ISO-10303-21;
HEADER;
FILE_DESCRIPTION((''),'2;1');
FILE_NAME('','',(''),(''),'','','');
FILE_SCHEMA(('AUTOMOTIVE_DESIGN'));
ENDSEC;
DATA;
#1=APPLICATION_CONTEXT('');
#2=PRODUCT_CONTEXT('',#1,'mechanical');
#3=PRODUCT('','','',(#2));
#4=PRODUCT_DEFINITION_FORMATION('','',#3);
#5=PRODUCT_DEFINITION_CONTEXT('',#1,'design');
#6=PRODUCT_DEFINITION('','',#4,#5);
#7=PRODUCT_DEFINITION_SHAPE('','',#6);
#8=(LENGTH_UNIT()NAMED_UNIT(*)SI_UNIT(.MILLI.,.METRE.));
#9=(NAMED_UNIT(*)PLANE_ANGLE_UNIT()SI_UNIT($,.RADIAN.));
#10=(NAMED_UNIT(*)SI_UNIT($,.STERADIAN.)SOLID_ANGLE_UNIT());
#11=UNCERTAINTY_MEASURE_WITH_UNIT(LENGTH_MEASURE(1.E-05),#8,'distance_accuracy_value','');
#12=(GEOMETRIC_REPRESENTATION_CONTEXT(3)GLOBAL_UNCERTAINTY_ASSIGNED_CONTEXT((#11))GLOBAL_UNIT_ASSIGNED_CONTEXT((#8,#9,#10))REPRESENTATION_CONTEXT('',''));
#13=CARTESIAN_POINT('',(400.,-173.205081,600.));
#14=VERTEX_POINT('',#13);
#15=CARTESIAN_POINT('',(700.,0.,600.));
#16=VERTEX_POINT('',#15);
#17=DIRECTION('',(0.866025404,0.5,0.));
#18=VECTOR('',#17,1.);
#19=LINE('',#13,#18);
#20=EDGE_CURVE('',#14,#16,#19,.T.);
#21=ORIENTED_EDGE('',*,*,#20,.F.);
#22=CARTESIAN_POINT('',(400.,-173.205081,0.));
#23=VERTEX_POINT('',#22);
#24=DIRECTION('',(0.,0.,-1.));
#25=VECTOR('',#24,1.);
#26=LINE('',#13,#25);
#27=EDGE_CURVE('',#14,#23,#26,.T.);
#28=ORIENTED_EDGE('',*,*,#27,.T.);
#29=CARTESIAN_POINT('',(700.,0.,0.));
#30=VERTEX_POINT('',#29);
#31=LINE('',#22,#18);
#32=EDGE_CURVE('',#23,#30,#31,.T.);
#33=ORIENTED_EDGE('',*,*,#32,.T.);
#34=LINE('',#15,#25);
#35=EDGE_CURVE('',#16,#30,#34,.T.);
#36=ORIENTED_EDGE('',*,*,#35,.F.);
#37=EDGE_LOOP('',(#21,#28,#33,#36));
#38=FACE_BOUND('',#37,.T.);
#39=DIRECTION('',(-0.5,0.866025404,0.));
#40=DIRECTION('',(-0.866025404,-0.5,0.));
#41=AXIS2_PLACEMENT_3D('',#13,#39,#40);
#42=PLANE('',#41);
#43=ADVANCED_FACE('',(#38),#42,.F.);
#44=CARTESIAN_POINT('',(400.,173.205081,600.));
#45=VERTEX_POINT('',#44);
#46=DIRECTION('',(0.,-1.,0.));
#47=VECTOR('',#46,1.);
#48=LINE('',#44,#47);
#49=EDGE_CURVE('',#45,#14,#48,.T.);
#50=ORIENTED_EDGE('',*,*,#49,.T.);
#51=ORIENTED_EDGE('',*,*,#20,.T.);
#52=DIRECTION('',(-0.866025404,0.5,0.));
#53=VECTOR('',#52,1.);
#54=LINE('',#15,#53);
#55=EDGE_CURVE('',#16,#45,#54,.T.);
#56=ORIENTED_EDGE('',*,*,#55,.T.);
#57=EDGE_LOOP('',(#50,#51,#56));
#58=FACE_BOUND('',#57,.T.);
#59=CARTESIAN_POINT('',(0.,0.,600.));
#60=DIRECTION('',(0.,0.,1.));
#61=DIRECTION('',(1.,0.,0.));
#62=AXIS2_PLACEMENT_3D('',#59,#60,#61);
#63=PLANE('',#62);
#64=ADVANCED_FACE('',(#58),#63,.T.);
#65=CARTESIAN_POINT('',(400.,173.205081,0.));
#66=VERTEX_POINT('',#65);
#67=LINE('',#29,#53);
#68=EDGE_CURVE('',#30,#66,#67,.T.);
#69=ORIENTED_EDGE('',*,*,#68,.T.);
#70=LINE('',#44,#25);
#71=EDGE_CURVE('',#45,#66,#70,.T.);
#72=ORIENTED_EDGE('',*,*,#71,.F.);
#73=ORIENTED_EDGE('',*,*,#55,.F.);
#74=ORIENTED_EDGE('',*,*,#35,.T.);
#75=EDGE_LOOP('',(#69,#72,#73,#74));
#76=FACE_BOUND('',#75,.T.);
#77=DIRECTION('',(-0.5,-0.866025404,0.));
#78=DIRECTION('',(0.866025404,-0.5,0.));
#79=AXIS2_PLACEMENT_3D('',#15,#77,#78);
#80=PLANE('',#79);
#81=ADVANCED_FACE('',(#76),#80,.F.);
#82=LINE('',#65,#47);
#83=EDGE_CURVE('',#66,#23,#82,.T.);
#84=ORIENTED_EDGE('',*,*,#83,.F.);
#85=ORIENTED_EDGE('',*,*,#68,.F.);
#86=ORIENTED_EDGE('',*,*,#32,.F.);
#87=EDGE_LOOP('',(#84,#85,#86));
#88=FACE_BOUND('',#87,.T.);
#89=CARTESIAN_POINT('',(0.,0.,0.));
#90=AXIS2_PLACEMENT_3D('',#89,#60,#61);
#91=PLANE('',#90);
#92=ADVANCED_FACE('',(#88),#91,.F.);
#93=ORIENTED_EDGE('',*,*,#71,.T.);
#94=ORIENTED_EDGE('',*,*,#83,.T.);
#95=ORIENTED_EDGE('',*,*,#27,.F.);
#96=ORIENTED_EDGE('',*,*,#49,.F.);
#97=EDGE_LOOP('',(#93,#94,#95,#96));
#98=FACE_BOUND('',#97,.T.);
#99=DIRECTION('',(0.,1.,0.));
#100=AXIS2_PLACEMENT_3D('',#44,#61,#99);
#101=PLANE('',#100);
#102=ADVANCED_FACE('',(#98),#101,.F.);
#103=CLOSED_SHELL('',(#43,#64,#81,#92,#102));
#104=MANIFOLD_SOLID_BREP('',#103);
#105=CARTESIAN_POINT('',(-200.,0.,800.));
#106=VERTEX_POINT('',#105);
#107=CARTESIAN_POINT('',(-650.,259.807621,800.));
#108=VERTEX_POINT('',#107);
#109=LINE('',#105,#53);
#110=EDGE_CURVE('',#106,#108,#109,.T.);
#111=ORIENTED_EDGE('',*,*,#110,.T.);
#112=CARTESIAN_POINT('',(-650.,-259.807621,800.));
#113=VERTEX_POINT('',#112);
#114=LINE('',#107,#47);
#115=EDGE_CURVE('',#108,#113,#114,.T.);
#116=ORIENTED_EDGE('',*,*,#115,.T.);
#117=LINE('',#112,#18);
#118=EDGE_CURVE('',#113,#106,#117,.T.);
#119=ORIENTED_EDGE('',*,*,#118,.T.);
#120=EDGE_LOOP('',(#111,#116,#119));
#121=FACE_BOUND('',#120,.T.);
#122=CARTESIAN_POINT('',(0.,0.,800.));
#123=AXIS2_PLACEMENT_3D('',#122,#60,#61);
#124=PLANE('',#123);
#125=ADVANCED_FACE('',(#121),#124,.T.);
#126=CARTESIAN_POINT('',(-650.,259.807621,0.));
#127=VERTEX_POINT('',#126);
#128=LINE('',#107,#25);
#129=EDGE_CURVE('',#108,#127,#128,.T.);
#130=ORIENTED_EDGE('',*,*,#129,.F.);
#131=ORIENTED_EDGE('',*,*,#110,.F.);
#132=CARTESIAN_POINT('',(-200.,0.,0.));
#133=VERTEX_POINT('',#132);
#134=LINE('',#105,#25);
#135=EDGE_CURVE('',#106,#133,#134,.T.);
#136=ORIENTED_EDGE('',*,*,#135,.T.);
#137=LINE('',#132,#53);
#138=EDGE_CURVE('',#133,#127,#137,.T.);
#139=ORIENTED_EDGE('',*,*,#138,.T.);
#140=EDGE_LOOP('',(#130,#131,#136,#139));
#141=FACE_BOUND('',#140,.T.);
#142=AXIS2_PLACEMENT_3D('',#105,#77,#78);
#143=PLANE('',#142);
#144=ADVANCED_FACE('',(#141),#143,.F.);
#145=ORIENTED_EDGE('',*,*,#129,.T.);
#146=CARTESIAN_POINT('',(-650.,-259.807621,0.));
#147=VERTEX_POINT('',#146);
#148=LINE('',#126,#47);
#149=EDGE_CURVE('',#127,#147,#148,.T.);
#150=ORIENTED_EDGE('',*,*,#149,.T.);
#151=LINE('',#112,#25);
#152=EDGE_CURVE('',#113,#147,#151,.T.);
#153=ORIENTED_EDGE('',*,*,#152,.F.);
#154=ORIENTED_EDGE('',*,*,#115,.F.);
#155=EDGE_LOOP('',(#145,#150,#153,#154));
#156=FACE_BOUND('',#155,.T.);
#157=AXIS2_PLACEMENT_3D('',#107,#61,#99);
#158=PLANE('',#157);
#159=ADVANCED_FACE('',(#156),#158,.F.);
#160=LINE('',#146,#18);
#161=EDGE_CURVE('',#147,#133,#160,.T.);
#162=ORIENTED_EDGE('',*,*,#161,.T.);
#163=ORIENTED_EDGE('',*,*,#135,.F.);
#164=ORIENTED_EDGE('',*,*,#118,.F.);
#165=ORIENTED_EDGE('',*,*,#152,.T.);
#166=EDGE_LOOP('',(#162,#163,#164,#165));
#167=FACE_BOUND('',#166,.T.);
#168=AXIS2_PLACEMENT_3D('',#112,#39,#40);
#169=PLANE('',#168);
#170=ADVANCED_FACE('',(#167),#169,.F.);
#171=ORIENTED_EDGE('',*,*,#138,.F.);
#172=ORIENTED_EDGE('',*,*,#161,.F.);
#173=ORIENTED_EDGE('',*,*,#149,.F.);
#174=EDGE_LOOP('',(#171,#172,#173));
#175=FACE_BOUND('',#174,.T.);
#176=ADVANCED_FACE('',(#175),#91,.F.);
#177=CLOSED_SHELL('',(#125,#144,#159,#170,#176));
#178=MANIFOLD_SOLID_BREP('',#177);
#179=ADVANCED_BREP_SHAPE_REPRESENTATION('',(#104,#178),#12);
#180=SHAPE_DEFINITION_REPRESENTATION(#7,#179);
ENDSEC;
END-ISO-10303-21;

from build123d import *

# Parameters (mm, degrees)
EXTRUDE_1_DEPTH = 800
EXTRUDE_2_DEPTH = 600


with BuildPart() as part:
    # 草图1 → 凸台-拉伸1 (new body)
    with BuildSketch(Plane.XY):
        Polygon((-200, 0), (-650, 259.807621135), (-650, -259.807621135), align=None)
    extrude(amount=EXTRUDE_1_DEPTH)


with BuildPart() as body_2:
    # 草图2 → 凸台-拉伸2 (new body)
    with BuildSketch(Plane.XY):
        Polygon((700, 0), (400, 173.205080757), (400, -173.205080757), align=None)
    extrude(amount=EXTRUDE_2_DEPTH)


solid = Compound([part.part, body_2.part])
